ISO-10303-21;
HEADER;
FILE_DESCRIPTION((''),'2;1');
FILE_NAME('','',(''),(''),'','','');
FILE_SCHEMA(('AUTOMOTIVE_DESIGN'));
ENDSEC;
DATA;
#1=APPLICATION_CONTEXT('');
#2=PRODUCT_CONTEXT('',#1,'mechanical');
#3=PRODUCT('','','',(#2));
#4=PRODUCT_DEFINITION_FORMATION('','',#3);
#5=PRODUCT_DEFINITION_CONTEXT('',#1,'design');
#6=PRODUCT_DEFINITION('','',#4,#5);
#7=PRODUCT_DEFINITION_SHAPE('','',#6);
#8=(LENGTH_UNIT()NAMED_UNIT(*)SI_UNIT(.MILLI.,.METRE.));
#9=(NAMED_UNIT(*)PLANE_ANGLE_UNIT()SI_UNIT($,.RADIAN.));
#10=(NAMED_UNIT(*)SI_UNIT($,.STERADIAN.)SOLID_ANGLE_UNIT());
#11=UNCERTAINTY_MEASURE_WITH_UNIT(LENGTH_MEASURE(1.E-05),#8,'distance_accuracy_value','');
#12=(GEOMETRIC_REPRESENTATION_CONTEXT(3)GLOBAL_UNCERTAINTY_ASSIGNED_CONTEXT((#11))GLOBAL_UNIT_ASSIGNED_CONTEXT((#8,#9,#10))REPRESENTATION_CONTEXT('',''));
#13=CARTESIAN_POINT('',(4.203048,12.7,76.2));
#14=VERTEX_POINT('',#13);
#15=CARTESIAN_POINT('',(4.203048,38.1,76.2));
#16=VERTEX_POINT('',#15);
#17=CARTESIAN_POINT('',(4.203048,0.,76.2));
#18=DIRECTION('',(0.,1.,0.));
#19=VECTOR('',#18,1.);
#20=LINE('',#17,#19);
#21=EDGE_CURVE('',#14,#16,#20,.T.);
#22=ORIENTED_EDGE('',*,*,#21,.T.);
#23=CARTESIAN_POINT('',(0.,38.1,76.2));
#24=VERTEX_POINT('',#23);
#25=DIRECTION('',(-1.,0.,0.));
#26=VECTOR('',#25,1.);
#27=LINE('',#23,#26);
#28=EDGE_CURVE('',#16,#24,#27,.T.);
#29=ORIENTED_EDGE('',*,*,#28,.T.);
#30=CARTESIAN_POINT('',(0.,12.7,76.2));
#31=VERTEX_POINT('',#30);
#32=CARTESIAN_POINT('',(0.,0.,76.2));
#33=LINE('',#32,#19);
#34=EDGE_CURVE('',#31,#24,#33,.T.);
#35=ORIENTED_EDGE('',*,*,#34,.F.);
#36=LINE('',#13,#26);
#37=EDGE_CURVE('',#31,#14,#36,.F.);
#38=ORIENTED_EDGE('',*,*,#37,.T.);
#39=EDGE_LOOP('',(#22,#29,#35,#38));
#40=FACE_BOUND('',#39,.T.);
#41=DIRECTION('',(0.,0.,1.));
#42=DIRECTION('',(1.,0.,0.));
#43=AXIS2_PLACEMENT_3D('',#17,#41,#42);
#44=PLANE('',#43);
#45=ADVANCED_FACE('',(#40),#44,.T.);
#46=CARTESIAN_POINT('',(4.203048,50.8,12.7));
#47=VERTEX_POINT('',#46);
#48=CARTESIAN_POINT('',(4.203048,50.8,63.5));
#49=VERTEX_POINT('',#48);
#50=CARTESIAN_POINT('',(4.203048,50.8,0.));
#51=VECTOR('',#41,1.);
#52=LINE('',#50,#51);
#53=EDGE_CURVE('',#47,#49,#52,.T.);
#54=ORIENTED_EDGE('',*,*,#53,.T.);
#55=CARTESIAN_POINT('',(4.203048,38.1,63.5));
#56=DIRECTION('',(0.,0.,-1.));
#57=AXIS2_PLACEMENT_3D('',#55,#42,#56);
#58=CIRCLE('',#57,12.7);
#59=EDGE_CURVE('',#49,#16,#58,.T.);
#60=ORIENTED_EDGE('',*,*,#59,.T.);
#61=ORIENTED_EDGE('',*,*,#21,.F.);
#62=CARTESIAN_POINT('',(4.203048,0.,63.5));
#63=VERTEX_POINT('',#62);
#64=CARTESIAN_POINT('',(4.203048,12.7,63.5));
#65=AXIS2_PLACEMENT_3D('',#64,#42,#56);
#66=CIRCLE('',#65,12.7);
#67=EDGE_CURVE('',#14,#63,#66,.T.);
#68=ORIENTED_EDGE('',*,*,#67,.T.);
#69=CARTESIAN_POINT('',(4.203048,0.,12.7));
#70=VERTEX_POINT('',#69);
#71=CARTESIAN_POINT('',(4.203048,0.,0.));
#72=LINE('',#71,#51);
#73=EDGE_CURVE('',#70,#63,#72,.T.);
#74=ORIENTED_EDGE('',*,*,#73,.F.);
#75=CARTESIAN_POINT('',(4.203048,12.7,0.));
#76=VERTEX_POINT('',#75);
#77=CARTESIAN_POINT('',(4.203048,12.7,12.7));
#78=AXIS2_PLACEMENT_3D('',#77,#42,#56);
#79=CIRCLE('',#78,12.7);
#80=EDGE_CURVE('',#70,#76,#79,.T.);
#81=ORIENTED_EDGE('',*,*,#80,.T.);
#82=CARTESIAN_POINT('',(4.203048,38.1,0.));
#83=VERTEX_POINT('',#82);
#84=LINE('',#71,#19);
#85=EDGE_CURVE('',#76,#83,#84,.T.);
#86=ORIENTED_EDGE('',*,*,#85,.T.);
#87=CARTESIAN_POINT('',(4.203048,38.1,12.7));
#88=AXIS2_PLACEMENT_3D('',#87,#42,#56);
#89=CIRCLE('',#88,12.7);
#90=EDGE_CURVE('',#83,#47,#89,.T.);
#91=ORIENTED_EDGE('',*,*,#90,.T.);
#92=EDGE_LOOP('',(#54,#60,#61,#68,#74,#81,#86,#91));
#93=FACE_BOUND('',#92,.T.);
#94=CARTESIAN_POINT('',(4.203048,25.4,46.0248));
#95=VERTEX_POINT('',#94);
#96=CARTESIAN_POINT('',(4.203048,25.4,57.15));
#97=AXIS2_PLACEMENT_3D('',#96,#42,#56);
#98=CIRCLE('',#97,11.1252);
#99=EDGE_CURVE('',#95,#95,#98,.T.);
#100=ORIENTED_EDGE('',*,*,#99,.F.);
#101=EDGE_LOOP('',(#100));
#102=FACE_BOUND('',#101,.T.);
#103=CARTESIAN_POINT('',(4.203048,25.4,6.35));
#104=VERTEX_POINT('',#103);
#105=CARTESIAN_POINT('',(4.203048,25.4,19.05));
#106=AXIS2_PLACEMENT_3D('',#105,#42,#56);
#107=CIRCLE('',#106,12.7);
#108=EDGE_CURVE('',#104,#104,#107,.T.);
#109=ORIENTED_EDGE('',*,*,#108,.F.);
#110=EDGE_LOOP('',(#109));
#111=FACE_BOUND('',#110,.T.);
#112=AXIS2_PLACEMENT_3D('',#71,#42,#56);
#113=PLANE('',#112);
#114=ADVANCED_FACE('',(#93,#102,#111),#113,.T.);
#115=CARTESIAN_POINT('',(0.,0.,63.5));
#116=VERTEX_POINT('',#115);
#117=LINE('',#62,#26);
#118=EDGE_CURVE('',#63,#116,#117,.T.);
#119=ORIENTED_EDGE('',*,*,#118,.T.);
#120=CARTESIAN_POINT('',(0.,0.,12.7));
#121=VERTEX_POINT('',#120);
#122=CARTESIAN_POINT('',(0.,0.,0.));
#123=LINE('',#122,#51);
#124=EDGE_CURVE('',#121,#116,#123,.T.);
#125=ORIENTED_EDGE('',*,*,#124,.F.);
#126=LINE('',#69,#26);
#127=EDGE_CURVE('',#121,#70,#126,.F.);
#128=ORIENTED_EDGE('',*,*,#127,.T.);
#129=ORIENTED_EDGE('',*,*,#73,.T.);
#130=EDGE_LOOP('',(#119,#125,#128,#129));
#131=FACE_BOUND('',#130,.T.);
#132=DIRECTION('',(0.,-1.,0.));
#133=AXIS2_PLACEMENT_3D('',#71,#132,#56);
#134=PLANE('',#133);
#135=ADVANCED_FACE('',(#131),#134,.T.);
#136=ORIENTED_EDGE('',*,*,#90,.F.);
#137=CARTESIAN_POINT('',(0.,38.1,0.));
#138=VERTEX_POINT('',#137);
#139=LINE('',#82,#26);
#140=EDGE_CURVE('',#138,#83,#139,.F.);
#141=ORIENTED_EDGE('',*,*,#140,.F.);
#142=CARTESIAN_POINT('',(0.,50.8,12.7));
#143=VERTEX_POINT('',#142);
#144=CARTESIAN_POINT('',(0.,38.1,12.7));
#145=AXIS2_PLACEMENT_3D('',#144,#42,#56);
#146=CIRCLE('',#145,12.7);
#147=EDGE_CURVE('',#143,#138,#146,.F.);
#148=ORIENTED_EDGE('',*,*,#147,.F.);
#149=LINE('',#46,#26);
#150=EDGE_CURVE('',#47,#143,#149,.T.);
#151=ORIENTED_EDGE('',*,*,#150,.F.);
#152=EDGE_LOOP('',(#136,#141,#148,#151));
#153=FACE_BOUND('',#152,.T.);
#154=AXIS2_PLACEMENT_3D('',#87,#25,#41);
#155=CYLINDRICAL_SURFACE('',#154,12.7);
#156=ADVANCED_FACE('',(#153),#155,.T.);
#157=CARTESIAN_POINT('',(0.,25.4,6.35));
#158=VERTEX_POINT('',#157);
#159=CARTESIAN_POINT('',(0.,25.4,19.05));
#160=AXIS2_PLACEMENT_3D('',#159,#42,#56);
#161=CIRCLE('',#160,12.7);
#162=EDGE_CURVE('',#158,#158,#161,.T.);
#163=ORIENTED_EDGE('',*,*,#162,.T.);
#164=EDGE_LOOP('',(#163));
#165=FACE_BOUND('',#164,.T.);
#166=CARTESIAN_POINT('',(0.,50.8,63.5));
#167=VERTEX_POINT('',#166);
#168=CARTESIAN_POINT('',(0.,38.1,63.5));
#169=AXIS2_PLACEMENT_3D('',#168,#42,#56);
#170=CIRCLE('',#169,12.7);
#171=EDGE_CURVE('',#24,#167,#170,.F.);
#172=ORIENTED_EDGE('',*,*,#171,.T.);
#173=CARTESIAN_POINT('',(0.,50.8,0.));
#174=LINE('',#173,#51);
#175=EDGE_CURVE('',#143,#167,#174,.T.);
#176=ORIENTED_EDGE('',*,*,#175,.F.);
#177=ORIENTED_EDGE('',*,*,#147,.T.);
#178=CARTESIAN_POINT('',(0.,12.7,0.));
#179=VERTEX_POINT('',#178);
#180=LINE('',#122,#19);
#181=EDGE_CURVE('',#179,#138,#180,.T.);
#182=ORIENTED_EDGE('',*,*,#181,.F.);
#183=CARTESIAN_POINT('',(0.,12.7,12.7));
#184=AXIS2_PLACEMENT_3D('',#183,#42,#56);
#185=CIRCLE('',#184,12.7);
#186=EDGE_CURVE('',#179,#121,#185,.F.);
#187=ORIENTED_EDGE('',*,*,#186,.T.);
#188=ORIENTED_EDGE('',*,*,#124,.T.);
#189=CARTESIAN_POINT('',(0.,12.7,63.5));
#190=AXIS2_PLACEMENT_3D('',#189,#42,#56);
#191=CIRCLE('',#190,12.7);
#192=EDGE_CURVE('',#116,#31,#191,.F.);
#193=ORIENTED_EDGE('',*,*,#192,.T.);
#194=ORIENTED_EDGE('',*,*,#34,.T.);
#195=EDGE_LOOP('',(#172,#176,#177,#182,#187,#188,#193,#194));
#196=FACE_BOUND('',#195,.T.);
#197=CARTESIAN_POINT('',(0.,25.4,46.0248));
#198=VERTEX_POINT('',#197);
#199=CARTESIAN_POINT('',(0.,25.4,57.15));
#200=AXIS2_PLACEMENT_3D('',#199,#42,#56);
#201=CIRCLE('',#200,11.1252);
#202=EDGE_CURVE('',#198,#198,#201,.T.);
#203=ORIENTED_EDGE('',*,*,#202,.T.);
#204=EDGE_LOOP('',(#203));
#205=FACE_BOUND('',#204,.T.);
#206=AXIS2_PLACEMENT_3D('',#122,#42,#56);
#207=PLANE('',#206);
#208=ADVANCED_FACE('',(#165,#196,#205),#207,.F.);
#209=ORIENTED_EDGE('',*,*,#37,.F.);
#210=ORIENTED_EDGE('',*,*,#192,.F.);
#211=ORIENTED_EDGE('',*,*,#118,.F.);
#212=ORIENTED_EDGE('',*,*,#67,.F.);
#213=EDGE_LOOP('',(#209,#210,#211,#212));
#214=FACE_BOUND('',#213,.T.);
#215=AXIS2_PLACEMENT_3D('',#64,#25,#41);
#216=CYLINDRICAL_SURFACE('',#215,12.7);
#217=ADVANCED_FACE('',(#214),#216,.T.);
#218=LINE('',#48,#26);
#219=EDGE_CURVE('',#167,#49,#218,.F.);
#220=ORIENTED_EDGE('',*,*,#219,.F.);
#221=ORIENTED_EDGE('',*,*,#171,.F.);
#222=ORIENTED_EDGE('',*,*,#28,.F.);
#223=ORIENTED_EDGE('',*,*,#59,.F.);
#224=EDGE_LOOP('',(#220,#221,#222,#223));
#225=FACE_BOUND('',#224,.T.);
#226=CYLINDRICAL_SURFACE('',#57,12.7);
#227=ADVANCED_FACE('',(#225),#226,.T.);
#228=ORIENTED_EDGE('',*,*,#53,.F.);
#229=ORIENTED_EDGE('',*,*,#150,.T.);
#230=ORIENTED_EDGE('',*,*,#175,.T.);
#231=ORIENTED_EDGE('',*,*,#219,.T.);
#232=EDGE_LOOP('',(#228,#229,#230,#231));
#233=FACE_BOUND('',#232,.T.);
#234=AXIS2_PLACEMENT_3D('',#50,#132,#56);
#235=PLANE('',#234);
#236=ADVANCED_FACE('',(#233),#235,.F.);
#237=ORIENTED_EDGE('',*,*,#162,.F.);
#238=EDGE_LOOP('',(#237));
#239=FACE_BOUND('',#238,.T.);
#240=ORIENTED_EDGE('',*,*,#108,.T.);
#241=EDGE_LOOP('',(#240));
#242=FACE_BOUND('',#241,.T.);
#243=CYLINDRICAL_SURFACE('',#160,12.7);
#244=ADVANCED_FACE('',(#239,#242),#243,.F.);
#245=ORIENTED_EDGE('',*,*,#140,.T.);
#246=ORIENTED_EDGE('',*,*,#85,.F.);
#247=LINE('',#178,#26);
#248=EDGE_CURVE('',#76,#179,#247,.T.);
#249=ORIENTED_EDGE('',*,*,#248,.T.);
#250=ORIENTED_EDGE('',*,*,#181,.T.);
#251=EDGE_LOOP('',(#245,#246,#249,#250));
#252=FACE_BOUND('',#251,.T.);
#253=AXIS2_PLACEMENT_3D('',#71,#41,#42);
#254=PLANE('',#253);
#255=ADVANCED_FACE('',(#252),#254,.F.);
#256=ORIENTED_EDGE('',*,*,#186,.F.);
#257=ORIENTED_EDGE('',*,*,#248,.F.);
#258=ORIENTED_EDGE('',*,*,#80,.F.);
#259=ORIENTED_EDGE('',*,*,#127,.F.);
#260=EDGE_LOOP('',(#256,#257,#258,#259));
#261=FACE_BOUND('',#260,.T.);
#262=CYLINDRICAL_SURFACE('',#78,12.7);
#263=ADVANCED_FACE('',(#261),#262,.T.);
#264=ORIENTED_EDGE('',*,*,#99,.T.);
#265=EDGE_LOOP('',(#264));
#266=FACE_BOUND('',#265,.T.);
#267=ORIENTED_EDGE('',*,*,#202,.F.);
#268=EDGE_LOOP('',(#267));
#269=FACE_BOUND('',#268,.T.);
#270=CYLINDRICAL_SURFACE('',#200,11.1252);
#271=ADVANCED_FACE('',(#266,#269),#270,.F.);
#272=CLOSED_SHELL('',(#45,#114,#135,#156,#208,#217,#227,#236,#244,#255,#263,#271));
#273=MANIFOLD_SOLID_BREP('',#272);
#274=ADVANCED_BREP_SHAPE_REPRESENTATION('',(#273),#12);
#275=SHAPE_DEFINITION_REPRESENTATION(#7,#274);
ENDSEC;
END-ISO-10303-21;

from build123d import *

# Parameters (mm, degrees)
SKETCH1_W           = 50.8
SKETCH1_H           = 76.2
BOSS_EXTRUDE1_DEPTH = 4.203048037
SKETCH3_R           = 11.1252
SKETCH3_R_2         = 12.7
CUT_EXTRUDE1_DEPTH  = 92.677399684
FILLET2_R           = 12.7


with BuildPart() as part:
    # Sketch1 → Boss-Extrude1 (new body)
    with BuildSketch(Plane.YZ):
        with Locations((25.4, 38.1)):
            Rectangle(SKETCH1_W, SKETCH1_H)
    extrude(amount=BOSS_EXTRUDE1_DEPTH)

    # Sketch3 → Cut-Extrude1 (cut, through all)
    with BuildSketch(Plane.YZ.offset(4.203048037)):
        with Locations(Location((25.4, 57.15, 0), (0, 0, 270))):
            Circle(SKETCH3_R)
        with Locations(Location((25.4, 19.05, 0), (0, 0, 270))):
            Circle(SKETCH3_R_2)
    extrude(amount=-CUT_EXTRUDE1_DEPTH, mode=Mode.SUBTRACT)

    # Fillet2
    fillet2_edges = [part.edges().sort_by_distance(p)[0] for p in [
        (2.101524019, 0, 0),
        (2.101524019, 0, 76.2),
        (2.101524019, 50.8, 76.2),
        (2.101524019, 50.8, 0),
    ]]
    fillet(fillet2_edges, radius=FILLET2_R)


solid = part.part
